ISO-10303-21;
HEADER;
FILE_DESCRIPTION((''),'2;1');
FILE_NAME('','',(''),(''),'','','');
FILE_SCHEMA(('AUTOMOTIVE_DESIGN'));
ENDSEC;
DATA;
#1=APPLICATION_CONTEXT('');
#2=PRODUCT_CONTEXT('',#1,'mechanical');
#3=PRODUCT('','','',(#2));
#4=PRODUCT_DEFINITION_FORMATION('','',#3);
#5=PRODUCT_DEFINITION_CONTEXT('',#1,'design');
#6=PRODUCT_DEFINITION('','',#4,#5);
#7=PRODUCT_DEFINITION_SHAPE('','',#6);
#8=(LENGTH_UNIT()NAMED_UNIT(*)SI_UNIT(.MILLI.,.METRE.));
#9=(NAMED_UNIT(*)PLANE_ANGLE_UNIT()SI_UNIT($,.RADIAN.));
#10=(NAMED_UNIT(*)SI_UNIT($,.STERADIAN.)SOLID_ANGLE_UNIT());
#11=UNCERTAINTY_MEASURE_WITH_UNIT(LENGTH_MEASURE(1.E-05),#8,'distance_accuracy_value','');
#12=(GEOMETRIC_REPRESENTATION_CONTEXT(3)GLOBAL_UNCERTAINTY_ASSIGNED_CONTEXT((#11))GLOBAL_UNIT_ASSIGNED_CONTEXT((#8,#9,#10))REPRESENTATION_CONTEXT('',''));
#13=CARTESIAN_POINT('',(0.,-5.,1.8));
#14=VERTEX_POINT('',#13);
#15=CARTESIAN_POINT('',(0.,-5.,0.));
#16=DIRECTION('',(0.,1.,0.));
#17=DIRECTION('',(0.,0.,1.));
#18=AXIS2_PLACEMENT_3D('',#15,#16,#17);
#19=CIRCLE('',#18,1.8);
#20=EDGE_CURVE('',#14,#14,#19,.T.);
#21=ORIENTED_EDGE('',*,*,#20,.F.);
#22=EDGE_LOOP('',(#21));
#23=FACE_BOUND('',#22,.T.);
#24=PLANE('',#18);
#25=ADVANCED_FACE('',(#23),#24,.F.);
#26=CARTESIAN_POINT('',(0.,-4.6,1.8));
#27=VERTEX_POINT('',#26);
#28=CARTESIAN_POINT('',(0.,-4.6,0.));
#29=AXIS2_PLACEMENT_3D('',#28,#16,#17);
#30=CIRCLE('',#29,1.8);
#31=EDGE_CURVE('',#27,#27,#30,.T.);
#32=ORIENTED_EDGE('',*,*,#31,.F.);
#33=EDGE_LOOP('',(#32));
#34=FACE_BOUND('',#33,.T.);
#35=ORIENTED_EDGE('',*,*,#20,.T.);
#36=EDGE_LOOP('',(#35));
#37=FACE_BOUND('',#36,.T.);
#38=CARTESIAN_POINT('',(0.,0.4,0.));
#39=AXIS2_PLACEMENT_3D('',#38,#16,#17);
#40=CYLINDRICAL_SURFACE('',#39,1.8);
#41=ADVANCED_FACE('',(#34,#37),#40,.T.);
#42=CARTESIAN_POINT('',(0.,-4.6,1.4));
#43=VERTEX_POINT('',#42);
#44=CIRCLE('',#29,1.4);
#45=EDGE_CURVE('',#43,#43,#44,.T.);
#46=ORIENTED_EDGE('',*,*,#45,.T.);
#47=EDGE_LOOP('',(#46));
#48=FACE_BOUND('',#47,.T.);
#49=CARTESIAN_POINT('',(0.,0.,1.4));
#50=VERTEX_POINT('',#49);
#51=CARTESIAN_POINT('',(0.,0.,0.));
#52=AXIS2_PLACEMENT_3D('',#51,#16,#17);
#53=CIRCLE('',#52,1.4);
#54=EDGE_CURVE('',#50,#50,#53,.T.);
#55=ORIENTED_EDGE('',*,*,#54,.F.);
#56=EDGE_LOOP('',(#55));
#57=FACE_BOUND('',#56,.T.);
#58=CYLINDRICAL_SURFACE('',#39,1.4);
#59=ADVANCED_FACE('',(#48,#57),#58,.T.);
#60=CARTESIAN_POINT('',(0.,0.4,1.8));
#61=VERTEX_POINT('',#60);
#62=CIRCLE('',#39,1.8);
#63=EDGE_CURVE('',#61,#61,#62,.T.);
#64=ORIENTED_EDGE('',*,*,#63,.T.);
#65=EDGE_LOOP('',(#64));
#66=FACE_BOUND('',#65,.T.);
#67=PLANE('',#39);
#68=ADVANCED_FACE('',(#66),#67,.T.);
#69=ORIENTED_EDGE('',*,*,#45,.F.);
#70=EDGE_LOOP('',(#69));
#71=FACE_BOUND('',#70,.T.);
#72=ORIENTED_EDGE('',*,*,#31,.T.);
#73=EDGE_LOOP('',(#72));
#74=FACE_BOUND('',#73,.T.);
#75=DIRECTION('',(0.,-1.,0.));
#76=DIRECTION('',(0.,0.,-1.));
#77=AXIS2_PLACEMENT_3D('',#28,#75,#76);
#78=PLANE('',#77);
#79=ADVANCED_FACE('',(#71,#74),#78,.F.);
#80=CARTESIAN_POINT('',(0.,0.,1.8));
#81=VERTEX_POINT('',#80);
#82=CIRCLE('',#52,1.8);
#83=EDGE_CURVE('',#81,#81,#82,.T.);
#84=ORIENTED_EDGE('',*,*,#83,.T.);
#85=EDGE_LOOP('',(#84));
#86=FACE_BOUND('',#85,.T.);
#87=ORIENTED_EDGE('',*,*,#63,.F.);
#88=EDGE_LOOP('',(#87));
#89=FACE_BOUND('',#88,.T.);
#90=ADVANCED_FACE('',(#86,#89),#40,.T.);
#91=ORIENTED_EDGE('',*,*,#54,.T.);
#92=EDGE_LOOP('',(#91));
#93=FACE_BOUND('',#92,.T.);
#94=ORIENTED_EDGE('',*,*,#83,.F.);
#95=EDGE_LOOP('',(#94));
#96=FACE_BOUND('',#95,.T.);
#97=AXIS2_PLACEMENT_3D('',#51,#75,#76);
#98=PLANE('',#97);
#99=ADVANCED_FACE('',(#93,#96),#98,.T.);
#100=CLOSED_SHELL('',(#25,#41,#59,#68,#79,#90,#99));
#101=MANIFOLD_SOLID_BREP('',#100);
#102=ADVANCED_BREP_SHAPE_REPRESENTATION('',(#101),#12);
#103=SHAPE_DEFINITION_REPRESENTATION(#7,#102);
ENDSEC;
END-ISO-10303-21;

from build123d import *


with BuildPart() as part:
    # Sketch1 → Revolve1 (revolve)
    with BuildSketch(Plane(origin=(0, 0, 0), x_dir=(0, 0, -1), z_dir=(1, 0, 0))):
        Polygon((0, -5), (0, 0.4), (-1.8, 0.4), (-1.8, 0), (-1.4, 0), (-1.4, -4.6), (-1.8, -4.6), (-1.8, -5), align=None)
    revolve(axis=Axis((0, 0.4, 0), (0, -1, 0)))


solid = part.part
